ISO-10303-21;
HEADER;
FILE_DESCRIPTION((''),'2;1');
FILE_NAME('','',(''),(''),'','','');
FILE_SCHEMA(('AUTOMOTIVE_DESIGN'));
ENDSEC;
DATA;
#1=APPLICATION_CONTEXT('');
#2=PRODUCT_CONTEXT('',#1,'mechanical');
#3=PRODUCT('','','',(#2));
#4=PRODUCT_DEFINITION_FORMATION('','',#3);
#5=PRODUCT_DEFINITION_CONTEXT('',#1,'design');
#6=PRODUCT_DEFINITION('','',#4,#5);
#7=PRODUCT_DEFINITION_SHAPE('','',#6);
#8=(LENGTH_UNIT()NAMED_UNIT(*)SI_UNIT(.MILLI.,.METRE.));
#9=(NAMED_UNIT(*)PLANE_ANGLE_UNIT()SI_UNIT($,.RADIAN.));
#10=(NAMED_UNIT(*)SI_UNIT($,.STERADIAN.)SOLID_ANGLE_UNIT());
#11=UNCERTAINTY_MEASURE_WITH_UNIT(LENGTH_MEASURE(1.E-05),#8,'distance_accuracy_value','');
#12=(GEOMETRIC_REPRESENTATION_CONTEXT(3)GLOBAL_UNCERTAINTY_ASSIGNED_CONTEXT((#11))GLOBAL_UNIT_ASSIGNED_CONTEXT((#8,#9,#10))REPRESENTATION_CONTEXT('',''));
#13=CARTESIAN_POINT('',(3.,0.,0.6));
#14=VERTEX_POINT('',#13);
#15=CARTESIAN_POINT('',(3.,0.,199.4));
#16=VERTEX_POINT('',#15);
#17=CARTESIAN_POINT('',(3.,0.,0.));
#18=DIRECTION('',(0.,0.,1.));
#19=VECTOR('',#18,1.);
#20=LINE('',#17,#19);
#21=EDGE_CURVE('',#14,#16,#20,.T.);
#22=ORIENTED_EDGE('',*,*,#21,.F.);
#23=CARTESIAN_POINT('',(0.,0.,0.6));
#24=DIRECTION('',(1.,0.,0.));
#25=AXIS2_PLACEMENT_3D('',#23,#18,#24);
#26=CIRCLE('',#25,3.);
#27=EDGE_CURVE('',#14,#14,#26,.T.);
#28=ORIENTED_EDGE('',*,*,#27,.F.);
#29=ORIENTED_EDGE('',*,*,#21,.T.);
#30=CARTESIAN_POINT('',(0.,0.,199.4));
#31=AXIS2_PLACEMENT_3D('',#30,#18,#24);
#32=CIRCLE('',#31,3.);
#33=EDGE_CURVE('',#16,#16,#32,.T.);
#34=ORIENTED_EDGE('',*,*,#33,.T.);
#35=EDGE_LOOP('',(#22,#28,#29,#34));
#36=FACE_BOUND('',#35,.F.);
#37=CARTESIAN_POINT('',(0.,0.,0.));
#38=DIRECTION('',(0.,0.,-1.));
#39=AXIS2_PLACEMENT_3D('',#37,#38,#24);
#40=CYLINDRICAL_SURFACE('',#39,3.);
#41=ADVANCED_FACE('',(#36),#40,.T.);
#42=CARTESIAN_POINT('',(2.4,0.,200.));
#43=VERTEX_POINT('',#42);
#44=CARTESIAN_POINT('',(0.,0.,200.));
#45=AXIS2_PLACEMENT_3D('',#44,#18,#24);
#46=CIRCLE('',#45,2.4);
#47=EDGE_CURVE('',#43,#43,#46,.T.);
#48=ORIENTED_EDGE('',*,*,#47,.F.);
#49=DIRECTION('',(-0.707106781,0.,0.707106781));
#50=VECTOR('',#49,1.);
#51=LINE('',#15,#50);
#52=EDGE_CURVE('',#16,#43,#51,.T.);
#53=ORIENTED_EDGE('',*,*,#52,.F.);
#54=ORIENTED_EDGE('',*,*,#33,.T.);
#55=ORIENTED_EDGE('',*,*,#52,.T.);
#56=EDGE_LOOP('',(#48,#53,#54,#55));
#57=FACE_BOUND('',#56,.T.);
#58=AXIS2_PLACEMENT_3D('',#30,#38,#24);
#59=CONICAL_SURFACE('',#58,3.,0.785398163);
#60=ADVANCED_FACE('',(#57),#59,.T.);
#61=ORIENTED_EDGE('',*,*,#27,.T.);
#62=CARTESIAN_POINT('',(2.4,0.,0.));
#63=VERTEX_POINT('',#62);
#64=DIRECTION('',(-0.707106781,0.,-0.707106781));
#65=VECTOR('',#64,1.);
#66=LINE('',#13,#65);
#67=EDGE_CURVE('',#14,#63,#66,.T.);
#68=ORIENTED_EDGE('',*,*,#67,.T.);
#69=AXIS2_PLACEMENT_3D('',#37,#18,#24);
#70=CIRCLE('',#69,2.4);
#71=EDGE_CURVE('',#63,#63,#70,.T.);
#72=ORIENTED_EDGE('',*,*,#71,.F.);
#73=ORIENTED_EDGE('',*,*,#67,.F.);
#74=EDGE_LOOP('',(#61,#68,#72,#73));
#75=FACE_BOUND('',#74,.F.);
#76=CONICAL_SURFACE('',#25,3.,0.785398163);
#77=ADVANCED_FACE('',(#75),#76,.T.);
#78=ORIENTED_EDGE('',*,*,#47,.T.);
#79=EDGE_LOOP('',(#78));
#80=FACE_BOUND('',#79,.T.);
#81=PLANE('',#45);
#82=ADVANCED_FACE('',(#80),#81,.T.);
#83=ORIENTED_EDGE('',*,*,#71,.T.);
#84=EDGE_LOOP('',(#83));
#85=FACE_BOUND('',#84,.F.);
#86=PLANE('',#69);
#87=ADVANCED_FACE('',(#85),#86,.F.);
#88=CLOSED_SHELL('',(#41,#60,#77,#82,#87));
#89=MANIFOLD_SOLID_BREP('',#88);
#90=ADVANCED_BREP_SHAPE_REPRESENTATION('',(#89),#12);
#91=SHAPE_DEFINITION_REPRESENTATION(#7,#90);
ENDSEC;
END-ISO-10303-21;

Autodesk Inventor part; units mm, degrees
ref_plane "YZ Plane" through (0, 0, 0) normal (1, 0, 0) x (0, 1, 0)
ref_plane "XZ Plane" through (0, 0, 0) normal (0, 1, 0) x (-1, 0, 0)
ref_plane "XY Plane" through (0, 0, 0) normal (0, 0, 1) x (1, 0, 0)
sketch "Szkic1" plane through (0, 0, 0) normal (0, 0, 1) x (1, 0, 0)
  circle A0 centre (0, 0) radius 3
  dimension "d0" = 6
extrude "Wyciągnięcie proste1" add sketch "Szkic1" along normal blind 200
chamfer "Faza1" distance 0.6 angle 45 2 edges at (-3, 0, 0) (-3, 0, 200)
thread "Gwint1" size "M6x1" class "6g" standard "ANSI Metric M Profile" full length
properties part number "COTS_GENERIC_M6_Threaded_Rod_200mm"
